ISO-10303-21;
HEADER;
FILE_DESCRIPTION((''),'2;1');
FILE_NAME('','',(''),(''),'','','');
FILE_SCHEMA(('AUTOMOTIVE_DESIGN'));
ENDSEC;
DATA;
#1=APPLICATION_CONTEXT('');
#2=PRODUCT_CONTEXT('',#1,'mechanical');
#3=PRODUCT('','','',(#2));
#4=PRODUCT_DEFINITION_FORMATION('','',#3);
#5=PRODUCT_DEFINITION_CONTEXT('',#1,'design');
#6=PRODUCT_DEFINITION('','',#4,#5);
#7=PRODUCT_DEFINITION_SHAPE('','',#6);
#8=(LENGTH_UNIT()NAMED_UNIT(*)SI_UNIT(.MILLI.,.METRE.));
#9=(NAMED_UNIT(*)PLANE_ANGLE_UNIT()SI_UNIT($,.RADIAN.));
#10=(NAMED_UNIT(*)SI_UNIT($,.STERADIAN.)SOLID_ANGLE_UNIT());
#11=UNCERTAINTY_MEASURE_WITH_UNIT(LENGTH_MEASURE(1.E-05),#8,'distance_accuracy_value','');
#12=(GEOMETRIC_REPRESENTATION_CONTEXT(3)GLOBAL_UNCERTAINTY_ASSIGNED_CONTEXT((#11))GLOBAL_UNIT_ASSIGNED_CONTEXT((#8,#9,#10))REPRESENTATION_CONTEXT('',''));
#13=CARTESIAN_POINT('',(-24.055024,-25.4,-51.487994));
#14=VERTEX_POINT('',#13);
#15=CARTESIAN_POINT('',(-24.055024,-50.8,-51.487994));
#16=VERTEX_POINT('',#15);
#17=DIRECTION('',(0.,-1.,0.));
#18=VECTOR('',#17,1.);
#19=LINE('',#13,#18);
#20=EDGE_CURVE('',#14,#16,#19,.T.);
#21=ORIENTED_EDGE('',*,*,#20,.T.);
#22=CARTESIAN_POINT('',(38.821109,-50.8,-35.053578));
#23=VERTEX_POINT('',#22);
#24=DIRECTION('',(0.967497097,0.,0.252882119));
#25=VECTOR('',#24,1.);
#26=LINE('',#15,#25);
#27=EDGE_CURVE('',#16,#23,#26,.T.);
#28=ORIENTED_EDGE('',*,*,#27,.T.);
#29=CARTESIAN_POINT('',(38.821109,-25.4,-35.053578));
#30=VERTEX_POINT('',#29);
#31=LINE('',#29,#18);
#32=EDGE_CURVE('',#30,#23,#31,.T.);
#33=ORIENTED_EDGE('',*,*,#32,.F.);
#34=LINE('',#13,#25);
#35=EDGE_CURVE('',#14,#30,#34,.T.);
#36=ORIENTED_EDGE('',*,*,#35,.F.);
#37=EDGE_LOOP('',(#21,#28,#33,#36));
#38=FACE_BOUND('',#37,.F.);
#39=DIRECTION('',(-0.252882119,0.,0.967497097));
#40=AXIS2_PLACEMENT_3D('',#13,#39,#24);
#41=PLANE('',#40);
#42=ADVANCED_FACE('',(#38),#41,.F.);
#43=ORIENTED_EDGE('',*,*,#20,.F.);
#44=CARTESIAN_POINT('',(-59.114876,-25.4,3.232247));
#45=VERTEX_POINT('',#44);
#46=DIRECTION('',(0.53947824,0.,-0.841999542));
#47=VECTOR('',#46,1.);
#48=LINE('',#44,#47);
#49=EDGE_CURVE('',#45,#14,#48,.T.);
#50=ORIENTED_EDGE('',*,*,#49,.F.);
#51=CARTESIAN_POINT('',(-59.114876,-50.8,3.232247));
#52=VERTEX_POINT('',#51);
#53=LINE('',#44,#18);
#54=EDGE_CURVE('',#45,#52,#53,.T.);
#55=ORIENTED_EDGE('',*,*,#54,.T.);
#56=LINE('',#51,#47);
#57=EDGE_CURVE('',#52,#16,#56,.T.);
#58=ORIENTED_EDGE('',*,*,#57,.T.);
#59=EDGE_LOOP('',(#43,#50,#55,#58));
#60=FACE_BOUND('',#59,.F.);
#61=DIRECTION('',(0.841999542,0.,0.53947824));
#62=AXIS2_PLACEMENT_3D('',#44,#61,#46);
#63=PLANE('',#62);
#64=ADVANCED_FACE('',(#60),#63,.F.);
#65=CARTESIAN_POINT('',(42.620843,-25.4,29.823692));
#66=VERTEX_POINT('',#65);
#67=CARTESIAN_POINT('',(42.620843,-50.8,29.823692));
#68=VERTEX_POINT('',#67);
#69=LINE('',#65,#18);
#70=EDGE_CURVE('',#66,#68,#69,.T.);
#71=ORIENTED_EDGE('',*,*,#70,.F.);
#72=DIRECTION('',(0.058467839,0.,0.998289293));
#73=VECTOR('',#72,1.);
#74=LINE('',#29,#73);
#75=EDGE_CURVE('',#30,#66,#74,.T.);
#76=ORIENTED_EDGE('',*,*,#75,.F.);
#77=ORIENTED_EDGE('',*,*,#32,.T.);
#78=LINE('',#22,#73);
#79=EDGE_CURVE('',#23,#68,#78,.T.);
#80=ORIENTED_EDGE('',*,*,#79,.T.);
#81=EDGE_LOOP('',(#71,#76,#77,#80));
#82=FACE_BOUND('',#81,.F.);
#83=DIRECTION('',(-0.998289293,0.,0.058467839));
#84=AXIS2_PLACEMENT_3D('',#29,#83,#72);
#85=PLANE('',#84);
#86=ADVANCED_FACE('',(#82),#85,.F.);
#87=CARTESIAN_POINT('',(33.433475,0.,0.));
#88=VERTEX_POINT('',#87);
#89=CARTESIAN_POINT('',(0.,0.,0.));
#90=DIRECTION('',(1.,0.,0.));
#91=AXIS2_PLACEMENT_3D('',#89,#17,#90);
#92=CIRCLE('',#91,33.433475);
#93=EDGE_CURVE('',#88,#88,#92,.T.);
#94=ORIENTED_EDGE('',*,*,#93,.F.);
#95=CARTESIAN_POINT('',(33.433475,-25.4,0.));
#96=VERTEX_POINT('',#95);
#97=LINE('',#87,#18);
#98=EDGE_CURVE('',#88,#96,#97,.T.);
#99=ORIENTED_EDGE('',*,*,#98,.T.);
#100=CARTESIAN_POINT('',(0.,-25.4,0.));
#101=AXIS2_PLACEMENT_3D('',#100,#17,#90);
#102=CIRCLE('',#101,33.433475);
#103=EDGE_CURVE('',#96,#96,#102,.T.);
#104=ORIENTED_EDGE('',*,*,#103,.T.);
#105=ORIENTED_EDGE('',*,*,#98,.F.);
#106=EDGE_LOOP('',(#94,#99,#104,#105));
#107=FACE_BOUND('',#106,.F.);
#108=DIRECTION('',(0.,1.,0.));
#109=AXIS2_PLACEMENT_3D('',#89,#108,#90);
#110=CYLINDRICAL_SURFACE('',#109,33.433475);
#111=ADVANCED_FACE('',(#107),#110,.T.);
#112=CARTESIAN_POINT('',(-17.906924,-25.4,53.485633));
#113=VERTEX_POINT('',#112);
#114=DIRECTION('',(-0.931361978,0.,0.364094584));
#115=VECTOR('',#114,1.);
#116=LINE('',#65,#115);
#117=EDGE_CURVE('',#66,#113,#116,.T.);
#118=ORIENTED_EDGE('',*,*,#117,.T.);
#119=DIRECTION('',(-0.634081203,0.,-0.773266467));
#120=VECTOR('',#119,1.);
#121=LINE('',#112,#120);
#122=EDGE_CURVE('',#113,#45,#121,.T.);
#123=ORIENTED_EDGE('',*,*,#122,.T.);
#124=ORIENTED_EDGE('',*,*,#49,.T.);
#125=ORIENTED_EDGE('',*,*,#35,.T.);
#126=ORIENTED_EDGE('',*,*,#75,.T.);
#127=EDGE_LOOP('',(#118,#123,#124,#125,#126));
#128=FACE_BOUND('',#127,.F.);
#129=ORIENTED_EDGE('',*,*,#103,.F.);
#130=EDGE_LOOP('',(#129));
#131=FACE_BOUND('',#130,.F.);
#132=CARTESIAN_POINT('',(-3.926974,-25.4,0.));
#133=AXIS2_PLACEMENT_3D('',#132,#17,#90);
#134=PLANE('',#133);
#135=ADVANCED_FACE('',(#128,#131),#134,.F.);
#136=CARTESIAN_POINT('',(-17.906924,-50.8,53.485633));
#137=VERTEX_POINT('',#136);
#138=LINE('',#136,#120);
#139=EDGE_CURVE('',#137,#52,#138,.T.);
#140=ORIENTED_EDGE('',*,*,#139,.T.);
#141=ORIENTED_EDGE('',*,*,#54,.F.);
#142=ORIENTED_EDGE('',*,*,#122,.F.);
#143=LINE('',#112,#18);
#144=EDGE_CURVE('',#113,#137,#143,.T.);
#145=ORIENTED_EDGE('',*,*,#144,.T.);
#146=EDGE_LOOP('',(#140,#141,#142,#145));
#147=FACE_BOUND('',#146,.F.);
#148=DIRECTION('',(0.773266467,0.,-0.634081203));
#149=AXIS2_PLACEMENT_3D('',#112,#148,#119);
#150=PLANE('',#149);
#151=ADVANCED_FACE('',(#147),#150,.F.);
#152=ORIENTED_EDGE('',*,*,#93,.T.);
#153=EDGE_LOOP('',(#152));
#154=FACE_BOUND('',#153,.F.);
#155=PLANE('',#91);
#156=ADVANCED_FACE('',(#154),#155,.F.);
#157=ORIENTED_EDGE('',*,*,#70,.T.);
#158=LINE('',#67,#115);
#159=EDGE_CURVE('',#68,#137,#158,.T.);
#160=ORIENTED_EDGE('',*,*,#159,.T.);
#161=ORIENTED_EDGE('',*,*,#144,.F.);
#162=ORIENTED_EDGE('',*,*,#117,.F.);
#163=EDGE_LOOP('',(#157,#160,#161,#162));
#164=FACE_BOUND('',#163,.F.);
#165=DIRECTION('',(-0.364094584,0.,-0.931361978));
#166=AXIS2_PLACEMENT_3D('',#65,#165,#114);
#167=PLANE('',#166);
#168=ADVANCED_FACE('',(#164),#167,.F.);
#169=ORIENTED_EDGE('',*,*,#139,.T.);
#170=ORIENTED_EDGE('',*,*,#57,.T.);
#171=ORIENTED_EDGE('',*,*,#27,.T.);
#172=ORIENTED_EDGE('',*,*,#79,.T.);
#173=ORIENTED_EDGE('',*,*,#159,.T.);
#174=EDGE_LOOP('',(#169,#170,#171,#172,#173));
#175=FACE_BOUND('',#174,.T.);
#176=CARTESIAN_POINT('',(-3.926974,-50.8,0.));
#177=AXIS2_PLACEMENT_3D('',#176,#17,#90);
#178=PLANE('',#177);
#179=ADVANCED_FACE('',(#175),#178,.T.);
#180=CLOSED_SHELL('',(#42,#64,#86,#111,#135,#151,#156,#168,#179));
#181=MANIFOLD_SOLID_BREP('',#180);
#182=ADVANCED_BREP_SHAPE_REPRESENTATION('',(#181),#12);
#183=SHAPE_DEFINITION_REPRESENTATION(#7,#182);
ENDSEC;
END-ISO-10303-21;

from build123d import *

# Parameters (mm, degrees)
F0_R     = 33.433475
F1_DEPTH = 25.4
F3_DEPTH = 25.4


with BuildPart() as f1:
    # F0 (on Front) → F1 (new body)
    with BuildSketch(Plane.XZ):
        Circle(F0_R)
    extrude(amount=F1_DEPTH)

    # F2 (on face) → F3 (join)
    with BuildSketch(Plane.XZ.offset(25.4)):
        Polygon((-17.906924, 53.485633), (-59.114876, 3.232247), (-24.055024, -51.487994), (38.821109, -35.053578), (42.620843, 29.823692), align=None)
    extrude(amount=F3_DEPTH)


solid = f1.part
